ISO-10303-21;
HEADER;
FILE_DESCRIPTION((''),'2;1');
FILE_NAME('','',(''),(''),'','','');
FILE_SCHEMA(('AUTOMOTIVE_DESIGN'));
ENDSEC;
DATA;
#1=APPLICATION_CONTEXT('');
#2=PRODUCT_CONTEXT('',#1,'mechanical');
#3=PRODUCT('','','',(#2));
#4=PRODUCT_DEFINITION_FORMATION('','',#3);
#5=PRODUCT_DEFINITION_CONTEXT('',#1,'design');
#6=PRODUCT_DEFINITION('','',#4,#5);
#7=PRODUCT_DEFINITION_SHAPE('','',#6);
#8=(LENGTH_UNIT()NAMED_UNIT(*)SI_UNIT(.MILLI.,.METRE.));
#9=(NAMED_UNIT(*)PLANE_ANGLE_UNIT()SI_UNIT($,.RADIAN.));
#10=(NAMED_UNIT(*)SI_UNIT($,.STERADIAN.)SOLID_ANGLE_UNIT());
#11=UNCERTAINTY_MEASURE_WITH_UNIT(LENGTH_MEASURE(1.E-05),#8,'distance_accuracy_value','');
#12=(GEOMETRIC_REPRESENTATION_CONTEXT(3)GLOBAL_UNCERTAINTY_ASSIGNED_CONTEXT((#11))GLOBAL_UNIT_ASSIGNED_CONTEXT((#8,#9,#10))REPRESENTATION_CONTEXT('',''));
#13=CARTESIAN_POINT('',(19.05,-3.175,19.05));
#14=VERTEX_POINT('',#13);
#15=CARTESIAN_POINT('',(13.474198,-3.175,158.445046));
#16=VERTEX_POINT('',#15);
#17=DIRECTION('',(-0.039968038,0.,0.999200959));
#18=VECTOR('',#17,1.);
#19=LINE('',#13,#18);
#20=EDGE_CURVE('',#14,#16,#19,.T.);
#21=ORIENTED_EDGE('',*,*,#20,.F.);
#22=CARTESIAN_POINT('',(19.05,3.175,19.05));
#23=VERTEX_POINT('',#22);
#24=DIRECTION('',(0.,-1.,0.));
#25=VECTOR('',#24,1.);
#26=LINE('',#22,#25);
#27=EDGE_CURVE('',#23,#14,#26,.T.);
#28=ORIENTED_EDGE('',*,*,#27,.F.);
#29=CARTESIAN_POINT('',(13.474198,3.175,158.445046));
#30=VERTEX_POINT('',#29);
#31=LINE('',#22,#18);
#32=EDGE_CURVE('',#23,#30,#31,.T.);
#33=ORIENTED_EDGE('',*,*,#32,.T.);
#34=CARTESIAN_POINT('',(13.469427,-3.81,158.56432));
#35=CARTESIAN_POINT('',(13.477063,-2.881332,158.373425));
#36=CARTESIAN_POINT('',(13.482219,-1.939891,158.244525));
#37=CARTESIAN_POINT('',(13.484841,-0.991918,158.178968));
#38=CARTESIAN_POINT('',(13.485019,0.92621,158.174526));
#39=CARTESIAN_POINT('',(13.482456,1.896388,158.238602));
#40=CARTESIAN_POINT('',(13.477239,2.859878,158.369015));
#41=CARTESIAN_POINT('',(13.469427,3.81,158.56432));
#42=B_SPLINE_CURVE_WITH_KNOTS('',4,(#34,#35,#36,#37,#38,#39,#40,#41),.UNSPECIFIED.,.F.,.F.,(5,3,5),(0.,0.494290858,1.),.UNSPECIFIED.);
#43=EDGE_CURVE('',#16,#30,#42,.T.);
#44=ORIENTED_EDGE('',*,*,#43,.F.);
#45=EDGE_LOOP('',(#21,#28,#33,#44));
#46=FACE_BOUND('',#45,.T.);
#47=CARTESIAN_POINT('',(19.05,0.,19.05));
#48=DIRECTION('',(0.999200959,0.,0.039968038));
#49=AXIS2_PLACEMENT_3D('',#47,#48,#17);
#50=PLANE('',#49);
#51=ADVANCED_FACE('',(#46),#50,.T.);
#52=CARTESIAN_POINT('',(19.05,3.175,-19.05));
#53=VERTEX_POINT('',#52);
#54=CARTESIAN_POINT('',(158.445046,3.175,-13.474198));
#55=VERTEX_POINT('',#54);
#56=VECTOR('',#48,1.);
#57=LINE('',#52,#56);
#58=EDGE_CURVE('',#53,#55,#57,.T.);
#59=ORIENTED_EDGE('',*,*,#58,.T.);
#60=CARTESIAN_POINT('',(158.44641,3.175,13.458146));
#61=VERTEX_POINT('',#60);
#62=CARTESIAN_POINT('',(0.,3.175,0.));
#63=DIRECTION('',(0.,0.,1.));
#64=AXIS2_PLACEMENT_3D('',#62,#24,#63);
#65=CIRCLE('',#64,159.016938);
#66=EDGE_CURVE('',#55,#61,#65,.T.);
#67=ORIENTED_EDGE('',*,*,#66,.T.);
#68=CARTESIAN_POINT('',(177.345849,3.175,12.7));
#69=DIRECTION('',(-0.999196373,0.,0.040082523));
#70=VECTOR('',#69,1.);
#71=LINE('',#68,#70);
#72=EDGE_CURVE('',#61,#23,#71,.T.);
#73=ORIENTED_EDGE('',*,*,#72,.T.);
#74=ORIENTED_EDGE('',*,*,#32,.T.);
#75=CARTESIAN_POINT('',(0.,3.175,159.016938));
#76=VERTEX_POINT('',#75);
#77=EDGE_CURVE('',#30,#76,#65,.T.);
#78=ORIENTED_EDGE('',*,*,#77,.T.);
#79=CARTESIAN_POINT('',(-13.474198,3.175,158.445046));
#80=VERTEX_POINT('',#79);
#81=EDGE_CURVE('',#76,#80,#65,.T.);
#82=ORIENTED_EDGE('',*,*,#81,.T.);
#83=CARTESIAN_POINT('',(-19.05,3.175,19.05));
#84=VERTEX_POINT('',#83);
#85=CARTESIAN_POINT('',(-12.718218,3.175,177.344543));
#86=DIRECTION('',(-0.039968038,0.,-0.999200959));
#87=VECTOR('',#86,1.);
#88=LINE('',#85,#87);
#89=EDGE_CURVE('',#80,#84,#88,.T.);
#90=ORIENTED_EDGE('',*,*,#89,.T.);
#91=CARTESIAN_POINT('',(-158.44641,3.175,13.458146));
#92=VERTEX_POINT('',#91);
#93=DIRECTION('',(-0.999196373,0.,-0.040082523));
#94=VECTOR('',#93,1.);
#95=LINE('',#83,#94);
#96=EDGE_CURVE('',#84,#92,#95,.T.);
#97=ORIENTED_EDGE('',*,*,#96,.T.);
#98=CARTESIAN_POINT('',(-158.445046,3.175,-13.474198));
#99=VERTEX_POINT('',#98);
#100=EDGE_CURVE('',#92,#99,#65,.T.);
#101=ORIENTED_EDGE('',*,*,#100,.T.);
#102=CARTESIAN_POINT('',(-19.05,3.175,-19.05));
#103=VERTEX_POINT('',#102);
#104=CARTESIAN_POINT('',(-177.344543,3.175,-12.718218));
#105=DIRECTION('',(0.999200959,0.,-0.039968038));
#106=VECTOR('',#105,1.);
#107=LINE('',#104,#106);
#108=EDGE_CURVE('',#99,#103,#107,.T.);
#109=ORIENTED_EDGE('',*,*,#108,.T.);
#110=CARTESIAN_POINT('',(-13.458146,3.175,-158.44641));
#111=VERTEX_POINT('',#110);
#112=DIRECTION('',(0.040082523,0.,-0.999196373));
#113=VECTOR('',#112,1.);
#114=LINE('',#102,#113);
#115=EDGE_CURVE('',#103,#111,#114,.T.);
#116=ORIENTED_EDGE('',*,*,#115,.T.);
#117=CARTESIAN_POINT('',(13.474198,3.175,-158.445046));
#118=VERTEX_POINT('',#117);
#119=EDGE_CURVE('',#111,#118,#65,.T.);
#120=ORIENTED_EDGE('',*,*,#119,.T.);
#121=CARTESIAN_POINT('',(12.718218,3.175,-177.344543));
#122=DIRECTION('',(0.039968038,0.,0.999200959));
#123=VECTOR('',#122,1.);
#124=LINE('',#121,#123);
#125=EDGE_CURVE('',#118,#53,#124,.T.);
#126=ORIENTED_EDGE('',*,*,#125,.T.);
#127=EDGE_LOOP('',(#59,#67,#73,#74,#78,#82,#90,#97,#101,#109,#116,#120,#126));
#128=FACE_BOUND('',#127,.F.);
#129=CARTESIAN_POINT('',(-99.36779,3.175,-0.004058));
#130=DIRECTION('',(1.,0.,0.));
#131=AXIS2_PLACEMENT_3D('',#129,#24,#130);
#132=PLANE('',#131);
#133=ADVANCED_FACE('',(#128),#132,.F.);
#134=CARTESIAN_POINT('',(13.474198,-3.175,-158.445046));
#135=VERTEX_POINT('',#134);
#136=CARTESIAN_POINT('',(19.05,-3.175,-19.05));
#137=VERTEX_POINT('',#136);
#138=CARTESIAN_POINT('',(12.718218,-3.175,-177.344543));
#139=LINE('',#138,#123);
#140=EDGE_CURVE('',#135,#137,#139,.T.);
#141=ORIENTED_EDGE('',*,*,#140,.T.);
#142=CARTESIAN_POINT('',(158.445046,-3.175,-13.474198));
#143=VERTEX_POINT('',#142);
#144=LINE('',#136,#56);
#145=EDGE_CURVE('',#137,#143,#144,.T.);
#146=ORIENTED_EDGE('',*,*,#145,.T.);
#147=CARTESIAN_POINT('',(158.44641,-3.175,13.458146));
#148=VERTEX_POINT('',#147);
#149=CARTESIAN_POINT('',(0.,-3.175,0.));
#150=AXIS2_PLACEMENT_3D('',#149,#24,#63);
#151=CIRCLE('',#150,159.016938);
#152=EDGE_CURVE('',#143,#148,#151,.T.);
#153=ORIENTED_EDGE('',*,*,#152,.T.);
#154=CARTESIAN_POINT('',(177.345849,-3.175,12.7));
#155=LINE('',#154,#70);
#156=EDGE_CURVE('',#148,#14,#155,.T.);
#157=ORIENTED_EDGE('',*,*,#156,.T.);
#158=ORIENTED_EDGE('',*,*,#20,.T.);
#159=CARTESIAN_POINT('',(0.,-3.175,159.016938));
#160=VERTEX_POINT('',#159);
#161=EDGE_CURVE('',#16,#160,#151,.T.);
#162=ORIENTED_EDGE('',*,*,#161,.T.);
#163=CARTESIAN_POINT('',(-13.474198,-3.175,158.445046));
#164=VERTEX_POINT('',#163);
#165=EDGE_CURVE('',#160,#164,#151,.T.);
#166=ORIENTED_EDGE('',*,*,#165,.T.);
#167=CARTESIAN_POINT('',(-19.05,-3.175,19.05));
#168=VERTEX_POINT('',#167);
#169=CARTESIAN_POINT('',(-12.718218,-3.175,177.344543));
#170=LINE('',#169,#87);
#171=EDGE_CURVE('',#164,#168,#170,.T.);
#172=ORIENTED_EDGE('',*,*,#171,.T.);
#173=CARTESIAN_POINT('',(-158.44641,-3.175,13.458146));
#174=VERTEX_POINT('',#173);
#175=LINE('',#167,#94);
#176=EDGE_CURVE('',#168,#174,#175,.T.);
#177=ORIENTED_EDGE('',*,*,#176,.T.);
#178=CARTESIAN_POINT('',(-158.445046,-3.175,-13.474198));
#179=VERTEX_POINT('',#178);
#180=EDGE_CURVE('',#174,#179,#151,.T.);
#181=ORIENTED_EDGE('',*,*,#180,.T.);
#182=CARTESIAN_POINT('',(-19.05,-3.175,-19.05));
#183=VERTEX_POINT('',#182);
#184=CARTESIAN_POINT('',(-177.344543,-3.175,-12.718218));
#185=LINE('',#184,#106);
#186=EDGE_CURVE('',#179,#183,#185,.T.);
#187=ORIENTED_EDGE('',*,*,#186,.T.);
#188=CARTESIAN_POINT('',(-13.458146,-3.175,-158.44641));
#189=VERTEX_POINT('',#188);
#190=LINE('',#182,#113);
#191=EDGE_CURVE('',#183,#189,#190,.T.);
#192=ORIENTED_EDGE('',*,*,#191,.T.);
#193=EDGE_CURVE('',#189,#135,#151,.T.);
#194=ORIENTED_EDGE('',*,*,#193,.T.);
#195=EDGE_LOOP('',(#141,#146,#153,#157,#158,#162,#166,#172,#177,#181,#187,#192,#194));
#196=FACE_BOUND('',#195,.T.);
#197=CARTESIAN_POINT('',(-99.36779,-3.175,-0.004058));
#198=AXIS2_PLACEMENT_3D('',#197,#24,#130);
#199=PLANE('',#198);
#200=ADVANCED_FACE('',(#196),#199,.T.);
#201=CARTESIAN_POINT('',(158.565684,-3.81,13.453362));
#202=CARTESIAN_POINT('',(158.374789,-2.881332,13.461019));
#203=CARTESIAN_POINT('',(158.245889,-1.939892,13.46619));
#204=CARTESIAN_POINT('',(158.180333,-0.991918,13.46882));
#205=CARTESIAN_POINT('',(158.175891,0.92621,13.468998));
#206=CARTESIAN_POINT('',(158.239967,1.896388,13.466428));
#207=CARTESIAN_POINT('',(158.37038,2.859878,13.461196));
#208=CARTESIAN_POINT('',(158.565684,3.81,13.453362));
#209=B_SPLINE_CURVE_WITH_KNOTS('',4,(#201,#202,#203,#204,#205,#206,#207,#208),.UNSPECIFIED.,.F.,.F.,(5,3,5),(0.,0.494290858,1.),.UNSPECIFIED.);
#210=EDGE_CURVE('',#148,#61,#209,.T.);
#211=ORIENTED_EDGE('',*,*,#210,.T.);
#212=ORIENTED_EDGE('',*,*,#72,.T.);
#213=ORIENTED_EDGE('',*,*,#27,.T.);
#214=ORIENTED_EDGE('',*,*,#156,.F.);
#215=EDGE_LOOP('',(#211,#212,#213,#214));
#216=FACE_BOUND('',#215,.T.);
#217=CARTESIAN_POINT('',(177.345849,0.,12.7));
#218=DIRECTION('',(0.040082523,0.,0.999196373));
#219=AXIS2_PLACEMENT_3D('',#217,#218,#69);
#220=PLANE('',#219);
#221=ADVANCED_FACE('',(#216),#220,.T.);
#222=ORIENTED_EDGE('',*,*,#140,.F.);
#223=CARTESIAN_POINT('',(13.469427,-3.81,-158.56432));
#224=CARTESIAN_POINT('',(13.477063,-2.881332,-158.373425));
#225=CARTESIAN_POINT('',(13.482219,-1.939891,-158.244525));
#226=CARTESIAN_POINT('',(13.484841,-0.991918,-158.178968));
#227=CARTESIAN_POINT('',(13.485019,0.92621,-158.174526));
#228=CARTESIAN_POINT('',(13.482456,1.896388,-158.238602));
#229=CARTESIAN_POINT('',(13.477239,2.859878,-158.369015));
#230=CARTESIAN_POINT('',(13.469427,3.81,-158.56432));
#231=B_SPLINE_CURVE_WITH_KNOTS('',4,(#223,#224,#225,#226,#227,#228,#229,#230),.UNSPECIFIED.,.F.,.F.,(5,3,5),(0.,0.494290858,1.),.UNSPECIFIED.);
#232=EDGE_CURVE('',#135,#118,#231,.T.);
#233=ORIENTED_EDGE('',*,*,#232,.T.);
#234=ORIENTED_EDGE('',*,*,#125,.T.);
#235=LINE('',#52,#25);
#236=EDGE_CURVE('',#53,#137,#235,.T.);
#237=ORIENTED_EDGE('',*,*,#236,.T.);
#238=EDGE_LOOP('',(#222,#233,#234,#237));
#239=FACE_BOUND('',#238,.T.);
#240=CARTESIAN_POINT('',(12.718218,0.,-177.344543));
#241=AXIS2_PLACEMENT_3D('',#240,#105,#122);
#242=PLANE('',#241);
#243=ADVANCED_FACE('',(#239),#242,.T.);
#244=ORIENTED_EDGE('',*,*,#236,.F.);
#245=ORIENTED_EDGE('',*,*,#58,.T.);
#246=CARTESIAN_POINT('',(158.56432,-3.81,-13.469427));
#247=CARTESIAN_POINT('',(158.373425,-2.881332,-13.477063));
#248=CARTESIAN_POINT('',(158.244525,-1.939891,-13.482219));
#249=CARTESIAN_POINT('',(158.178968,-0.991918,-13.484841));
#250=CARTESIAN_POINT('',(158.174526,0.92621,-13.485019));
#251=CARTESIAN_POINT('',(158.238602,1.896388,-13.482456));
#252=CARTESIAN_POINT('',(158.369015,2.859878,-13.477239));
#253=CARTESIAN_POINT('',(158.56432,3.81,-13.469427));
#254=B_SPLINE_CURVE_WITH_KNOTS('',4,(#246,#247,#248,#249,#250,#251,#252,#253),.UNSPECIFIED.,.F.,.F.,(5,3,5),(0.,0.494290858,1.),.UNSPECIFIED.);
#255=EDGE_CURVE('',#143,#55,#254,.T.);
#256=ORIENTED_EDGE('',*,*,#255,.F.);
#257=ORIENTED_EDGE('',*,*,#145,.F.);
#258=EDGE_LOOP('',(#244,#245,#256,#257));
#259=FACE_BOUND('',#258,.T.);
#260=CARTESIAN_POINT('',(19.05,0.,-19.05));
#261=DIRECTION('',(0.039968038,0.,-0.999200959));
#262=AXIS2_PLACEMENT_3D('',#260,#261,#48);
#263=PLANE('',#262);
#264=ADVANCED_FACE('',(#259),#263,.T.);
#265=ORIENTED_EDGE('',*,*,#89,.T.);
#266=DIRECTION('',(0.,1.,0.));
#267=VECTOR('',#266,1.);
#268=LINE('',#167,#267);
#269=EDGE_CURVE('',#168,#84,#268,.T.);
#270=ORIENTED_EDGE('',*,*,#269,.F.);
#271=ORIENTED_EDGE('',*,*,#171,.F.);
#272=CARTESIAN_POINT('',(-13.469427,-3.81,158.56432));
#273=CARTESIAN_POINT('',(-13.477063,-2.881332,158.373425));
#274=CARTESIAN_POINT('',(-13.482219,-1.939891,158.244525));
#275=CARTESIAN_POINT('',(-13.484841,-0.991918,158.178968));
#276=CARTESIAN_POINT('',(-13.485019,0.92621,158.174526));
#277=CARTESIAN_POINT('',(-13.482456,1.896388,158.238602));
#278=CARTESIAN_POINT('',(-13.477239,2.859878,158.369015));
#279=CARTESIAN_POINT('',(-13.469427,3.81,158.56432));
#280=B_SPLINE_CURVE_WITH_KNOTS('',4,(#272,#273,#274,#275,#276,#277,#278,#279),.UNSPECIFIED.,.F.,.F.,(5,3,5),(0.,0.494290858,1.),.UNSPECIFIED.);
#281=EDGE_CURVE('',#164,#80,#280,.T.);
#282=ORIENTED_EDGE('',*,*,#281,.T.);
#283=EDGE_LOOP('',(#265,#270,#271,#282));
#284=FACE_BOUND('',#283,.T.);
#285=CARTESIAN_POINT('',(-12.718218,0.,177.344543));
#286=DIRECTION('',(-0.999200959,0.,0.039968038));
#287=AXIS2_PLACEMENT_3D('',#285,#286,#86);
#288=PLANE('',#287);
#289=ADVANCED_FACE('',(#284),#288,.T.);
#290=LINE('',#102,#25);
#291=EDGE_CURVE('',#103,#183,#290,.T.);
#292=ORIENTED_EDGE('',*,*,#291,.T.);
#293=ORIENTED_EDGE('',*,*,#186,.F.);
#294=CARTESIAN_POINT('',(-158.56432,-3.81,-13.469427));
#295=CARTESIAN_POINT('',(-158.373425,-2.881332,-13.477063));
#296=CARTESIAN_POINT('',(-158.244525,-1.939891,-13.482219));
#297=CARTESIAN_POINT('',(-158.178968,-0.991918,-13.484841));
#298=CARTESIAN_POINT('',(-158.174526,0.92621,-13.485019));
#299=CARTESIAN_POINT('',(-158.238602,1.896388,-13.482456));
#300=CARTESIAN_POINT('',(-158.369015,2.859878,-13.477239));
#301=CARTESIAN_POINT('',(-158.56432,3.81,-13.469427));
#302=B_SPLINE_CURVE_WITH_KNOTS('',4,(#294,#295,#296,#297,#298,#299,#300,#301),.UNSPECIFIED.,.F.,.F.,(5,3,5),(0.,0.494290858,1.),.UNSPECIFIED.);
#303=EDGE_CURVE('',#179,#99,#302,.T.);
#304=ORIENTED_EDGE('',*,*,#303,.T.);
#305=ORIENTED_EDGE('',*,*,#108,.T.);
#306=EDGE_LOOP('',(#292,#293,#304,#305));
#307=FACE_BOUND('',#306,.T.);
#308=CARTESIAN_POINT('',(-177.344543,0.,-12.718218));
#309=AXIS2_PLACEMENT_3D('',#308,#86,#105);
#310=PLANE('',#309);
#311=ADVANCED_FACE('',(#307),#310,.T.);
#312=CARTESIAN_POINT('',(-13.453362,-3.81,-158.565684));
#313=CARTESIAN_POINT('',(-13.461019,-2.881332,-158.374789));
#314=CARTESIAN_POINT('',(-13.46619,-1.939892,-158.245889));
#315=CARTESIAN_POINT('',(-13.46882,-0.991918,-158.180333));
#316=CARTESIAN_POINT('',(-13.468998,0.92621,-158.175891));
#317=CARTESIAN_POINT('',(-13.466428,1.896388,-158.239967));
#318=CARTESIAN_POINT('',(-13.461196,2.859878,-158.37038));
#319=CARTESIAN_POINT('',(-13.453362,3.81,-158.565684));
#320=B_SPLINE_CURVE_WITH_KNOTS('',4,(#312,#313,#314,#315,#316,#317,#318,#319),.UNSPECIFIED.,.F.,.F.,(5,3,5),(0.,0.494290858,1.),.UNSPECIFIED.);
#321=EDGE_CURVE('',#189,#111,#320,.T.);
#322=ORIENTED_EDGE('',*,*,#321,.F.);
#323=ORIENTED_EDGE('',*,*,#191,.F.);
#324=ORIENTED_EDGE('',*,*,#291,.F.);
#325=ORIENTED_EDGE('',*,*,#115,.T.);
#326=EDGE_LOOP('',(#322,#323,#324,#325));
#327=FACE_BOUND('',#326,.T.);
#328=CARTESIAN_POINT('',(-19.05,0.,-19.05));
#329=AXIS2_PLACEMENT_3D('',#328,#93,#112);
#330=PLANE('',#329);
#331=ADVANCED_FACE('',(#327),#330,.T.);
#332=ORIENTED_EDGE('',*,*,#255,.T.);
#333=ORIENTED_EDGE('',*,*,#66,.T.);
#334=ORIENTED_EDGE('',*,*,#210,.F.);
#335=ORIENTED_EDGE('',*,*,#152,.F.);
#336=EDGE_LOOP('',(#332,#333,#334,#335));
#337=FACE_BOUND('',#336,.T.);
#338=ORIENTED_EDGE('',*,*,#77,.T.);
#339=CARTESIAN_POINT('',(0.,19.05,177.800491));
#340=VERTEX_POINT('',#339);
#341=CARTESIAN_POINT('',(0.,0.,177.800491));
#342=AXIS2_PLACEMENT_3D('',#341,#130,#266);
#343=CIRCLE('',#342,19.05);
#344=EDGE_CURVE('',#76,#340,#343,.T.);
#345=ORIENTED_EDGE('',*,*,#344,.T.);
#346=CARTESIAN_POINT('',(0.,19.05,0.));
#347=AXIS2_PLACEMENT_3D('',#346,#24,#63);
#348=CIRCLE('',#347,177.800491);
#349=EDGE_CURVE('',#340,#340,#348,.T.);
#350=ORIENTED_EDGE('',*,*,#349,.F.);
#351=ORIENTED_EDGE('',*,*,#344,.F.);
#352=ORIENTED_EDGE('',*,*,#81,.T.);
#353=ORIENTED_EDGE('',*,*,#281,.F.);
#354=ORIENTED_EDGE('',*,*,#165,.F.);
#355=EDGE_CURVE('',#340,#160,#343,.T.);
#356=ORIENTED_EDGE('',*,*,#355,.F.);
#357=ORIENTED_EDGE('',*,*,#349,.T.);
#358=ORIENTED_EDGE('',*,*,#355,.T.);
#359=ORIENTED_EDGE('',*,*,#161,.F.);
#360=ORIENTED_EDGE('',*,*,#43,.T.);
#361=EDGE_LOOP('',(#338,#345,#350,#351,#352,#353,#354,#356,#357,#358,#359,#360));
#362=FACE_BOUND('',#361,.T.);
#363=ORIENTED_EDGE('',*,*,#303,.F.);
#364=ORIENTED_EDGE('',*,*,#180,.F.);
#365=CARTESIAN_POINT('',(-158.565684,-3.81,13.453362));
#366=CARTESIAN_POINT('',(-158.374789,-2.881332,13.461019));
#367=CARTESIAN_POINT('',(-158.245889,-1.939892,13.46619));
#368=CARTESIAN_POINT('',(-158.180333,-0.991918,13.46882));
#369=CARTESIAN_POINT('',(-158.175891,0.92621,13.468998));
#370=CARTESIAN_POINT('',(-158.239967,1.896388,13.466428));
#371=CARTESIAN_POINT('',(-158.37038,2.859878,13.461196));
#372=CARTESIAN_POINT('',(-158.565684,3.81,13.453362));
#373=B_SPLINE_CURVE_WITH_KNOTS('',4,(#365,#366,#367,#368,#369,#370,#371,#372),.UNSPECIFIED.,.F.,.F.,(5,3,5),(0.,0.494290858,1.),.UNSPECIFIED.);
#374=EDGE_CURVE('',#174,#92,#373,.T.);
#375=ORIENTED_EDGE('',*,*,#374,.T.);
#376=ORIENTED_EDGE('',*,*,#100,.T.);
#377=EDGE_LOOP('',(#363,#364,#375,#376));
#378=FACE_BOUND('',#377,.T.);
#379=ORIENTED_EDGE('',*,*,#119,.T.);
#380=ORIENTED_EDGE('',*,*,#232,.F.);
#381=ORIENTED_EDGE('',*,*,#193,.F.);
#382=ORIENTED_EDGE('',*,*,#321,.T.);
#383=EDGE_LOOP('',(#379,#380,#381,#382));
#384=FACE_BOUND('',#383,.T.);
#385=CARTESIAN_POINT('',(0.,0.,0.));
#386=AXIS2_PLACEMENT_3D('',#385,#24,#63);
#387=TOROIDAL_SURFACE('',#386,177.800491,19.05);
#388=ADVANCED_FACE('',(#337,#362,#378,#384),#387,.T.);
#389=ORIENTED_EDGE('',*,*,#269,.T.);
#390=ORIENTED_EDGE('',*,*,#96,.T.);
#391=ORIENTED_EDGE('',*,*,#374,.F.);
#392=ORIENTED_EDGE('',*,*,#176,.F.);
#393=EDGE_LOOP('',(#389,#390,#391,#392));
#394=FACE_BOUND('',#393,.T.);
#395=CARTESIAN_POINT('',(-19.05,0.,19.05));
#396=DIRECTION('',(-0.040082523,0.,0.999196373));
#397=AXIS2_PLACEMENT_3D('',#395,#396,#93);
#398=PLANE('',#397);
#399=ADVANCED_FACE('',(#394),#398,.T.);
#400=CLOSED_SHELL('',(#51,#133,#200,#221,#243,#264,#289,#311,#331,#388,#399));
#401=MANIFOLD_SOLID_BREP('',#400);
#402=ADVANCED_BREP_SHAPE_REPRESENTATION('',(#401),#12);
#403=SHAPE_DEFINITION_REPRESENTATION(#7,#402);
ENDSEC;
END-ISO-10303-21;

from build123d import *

# Parameters (mm, degrees)
F1_R     = 19.05
F3_DEPTH = 3.175


with BuildPart() as f2:
    # F1 (on Right) → F2 (revolve)
    with BuildSketch(Plane.YZ):
        with Locations((0, 177.8004914522)):
            Circle(F1_R)
    revolve(axis=Axis((0, 0, 0), (0, -1, 0)))

    # F0 (on Front) → F3 (join, symmetric)
    with BuildSketch(Plane.XZ):
        with BuildLine():
            Line((-19.05, -19.05), (-19.05, 19.05))
            Line((-19.05, 19.05), (-177.3458485559, 12.7))
            Line((-177.3458485559, 12.7), (-165.1, 12.7))
            Line((-165.1, 12.7), (-165.1, -12.7))
            Line((-165.1, -12.7), (-177.3458485559, -12.7))
            ThreePointArc((-177.3458485559, -12.7), (-177.3451960004, -12.7091091572), (-177.3445429771, -12.7182182809))
            Line((-177.3445429771, -12.7182182809), (-19.05, -19.05))
        make_face()
        with BuildLine():
            Line((165.1, 12.7), (177.3458485559, 12.7))
            Line((177.3458485559, 12.7), (19.05, 19.05))
            Line((19.05, 19.05), (12.7182182809, 177.3445429771))
            ThreePointArc((12.7182182809, 177.3445429771), (12.7091091572, 177.3451960004), (12.7, 177.3458485559))
            Line((12.7, 177.3458485559), (12.7, 165.1))
            Line((12.7, 165.1), (-12.7, 165.1))
            Line((-12.7, 165.1), (-12.7, 177.3458485559))
            ThreePointArc((-12.7, 177.3458485559), (-12.7091091572, 177.3451960004), (-12.7182182809, 177.3445429771))
            Line((-12.7182182809, 177.3445429771), (-19.05, 19.05))
            Line((-19.05, 19.05), (-19.05, -19.05))
            Line((-19.05, -19.05), (-12.7, -177.3458485559))
            Line((-12.7, -177.3458485559), (-12.7, -165.1))
            Line((-12.7, -165.1), (12.7, -165.1))
            Line((12.7, -165.1), (12.7, -177.3458485559))
            ThreePointArc((12.7, -177.3458485559), (12.7091091572, -177.3451960004), (12.7182182809, -177.3445429771))
            Line((12.7182182809, -177.3445429771), (19.05, -19.05))
            Line((19.05, -19.05), (177.3445429771, -12.7182182809))
            ThreePointArc((177.3445429771, -12.7182182809), (177.3451960004, -12.7091091572), (177.3458485559, -12.7))
            Line((177.3458485559, -12.7), (165.1, -12.7))
            Line((165.1, -12.7), (165.1, 12.7))
        make_face()
    extrude(amount=F3_DEPTH, both=True)


solid = f2.part
